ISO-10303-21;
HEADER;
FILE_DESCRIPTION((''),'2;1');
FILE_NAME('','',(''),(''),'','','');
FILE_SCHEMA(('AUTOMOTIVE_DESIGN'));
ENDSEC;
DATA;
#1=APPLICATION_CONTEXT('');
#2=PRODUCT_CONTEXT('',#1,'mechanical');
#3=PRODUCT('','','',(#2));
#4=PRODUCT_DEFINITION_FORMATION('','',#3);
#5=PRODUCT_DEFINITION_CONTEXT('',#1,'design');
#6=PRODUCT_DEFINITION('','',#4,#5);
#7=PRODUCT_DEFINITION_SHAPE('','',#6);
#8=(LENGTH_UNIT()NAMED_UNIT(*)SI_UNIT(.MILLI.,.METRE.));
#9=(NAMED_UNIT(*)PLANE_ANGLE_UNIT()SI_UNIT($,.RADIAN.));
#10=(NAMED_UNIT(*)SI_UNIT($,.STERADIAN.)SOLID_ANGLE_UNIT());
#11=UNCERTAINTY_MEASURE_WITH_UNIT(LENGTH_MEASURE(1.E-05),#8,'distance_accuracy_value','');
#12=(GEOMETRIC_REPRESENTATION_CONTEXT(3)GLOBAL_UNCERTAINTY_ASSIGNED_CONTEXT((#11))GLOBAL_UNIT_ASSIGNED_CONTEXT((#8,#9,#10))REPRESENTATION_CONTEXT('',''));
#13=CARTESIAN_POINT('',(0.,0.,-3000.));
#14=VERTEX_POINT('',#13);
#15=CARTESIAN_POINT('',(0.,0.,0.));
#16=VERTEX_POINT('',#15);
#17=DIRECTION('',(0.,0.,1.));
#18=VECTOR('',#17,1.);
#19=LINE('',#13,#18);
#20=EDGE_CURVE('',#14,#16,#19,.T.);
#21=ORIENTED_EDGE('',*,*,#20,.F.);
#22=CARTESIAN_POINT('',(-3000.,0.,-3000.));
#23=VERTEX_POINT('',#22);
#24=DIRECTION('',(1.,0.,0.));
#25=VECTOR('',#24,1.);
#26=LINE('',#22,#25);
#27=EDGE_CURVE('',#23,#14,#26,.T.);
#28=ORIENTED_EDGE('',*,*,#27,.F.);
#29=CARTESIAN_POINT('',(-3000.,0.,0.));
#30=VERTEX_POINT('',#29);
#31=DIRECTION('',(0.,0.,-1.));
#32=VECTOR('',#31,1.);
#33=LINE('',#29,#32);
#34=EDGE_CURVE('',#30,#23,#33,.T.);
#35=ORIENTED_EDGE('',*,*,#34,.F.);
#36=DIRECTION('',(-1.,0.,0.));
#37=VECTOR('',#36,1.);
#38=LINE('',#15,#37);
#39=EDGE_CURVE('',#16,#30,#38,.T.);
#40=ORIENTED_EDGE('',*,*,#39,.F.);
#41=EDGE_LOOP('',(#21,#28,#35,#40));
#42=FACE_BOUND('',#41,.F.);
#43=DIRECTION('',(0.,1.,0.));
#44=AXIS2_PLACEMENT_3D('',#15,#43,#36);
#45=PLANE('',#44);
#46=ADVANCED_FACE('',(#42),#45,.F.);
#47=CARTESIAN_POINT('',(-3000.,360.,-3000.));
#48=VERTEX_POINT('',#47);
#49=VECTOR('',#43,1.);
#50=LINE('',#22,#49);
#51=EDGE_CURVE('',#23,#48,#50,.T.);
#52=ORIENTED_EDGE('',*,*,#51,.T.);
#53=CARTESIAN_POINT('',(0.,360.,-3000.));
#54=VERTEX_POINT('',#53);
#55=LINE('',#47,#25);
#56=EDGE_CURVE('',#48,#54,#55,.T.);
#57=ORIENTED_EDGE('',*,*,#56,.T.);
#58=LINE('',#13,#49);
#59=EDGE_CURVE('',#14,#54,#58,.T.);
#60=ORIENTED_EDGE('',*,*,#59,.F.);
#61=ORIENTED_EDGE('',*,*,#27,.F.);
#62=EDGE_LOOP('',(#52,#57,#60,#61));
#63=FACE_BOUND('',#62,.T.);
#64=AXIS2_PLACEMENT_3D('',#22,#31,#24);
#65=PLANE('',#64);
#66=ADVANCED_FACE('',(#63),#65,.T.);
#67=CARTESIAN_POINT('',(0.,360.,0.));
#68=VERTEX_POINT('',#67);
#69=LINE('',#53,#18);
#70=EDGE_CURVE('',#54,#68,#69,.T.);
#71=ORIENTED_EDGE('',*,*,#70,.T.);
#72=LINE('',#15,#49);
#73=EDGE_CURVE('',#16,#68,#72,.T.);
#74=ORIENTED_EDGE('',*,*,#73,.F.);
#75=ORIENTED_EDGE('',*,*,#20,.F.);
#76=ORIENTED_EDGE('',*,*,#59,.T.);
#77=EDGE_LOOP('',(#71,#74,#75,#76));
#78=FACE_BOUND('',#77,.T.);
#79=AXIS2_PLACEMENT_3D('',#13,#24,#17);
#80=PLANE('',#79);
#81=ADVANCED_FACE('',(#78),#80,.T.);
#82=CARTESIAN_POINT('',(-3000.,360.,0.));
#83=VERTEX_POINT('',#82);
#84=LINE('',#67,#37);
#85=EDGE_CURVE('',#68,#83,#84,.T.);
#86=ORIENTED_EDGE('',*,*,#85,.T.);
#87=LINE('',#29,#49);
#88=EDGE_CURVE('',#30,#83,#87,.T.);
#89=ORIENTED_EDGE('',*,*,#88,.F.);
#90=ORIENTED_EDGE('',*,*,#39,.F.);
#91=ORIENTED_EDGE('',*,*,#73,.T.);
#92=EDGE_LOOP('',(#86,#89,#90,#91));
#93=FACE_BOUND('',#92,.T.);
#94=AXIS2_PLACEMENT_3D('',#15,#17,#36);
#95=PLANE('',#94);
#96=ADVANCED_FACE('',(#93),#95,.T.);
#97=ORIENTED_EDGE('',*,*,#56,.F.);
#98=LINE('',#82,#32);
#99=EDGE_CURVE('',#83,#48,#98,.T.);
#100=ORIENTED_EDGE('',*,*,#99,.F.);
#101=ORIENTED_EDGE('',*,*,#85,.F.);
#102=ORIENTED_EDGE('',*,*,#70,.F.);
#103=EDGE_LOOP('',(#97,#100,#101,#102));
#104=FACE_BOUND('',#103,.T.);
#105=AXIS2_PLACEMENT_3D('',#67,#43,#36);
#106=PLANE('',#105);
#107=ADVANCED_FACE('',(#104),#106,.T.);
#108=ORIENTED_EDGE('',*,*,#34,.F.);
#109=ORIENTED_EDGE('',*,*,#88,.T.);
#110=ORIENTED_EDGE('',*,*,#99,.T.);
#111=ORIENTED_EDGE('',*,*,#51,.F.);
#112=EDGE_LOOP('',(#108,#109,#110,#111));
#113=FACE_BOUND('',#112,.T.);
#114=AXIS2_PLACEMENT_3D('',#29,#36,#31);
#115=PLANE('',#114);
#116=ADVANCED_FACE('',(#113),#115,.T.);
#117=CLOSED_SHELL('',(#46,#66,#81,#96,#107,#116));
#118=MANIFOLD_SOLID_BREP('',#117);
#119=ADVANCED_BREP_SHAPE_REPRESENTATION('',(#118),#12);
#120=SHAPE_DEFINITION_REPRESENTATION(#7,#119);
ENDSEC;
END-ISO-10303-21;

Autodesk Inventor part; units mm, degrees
ref_plane "YZ Plane" through (0, 0, 0) normal (1, 0, 0) x (0, 1, 0)
ref_plane "XZ Plane" through (0, 0, 0) normal (0, 1, 0) x (-1, 0, 0)
ref_plane "XY Plane" through (0, 0, 0) normal (0, 0, 1) x (1, 0, 0)
sketch "Sketch1" plane through (0, 0, 0) normal (0, 1, 0) x (-1, 0, 0)
  line L0 (0, 0) -> (3000, 0)
  line L1 (3000, 0) -> (3000, -3000)
  line L2 (3000, -3000) -> (0, -3000)
  line L3 (0, -3000) -> (0, 0)
  dimension "d0" = 3000
  dimension "d1" = 3000
extrude "Extrusion1" add sketch "Sketch1" along normal blind 360
properties part number "base" material "Concrete"
